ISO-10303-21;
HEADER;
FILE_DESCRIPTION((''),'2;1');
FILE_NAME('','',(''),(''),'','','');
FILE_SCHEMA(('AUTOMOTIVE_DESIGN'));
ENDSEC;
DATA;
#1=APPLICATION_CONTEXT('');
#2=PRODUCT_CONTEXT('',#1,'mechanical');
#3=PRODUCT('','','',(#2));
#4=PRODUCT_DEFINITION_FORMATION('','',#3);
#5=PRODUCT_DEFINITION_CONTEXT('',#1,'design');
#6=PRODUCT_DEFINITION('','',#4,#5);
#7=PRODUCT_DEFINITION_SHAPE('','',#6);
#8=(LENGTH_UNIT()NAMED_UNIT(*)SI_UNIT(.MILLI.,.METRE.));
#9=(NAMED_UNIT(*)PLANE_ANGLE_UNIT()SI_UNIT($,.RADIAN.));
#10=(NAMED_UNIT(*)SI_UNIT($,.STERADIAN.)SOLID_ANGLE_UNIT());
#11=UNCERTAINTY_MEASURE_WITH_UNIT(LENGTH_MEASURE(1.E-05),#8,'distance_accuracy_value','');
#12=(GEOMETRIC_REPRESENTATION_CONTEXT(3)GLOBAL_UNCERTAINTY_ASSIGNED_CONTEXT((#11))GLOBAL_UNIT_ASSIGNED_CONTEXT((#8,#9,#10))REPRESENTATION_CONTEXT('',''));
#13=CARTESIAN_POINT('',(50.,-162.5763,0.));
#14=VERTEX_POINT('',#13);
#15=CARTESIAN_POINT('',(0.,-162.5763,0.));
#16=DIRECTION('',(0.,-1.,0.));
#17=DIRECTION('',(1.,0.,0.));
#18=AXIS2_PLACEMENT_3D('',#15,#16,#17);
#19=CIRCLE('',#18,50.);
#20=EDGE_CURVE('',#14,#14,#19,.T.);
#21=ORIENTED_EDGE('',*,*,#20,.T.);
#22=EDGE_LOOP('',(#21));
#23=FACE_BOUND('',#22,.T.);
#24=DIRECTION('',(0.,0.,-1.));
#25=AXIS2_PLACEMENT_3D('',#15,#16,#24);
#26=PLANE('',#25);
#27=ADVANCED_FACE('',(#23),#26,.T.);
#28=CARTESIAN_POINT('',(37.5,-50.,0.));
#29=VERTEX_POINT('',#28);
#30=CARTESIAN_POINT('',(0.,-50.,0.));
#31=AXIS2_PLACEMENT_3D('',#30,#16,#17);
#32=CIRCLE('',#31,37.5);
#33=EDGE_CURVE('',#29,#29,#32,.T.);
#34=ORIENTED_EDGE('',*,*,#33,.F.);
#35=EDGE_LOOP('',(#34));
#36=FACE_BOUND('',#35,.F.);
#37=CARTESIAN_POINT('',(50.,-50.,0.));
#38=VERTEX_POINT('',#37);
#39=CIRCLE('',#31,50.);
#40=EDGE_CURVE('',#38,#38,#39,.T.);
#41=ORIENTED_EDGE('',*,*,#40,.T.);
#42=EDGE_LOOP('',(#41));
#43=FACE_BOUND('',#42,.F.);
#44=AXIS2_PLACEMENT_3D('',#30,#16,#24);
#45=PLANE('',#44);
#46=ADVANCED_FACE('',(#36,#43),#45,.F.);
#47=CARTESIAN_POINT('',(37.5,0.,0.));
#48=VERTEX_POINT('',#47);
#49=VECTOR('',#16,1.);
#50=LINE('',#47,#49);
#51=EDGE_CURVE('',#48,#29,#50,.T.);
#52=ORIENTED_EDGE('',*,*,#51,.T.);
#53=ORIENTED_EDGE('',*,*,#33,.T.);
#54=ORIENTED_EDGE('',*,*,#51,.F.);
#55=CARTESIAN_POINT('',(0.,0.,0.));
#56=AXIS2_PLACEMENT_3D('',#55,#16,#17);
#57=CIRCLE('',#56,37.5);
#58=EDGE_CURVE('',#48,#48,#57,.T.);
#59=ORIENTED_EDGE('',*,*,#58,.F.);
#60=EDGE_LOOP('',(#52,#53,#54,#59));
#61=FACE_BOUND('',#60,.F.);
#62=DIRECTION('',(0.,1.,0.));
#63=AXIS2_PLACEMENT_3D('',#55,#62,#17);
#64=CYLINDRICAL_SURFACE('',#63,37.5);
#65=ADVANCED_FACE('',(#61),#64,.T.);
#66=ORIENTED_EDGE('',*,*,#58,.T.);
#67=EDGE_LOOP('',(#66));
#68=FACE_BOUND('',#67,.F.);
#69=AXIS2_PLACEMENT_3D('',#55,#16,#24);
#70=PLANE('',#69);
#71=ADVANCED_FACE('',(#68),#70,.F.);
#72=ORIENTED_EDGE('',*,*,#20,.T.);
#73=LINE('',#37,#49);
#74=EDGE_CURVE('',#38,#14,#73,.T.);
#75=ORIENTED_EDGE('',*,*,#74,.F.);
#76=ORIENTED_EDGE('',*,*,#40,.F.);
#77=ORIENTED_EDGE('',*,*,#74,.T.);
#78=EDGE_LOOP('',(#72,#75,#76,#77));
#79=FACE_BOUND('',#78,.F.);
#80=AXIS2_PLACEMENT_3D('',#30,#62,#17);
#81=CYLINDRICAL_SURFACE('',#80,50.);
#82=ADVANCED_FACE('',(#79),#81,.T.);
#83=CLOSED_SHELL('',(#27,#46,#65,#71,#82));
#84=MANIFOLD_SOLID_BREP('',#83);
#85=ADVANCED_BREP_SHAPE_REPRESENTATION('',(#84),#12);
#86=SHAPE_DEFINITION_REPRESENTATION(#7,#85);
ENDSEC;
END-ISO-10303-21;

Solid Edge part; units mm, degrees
sketch "Sketch1" plane through (0, 0, 0) normal (0, -1, 0) x (1, 0, 0)
  circle A0 centre (0, 0) radius 37.5
extrude "Protrusion1" add sketch "Sketch1" along normal blind 50
sketch "Sketch2" plane through (0, -50, 0) normal (0, -1, 0) x (1, 0, 0)
  circle A0 centre (0, 0) radius 50
extrude "ExtrudedProtrusion_2" add sketch "Sketch2" along normal blind 112.5763
